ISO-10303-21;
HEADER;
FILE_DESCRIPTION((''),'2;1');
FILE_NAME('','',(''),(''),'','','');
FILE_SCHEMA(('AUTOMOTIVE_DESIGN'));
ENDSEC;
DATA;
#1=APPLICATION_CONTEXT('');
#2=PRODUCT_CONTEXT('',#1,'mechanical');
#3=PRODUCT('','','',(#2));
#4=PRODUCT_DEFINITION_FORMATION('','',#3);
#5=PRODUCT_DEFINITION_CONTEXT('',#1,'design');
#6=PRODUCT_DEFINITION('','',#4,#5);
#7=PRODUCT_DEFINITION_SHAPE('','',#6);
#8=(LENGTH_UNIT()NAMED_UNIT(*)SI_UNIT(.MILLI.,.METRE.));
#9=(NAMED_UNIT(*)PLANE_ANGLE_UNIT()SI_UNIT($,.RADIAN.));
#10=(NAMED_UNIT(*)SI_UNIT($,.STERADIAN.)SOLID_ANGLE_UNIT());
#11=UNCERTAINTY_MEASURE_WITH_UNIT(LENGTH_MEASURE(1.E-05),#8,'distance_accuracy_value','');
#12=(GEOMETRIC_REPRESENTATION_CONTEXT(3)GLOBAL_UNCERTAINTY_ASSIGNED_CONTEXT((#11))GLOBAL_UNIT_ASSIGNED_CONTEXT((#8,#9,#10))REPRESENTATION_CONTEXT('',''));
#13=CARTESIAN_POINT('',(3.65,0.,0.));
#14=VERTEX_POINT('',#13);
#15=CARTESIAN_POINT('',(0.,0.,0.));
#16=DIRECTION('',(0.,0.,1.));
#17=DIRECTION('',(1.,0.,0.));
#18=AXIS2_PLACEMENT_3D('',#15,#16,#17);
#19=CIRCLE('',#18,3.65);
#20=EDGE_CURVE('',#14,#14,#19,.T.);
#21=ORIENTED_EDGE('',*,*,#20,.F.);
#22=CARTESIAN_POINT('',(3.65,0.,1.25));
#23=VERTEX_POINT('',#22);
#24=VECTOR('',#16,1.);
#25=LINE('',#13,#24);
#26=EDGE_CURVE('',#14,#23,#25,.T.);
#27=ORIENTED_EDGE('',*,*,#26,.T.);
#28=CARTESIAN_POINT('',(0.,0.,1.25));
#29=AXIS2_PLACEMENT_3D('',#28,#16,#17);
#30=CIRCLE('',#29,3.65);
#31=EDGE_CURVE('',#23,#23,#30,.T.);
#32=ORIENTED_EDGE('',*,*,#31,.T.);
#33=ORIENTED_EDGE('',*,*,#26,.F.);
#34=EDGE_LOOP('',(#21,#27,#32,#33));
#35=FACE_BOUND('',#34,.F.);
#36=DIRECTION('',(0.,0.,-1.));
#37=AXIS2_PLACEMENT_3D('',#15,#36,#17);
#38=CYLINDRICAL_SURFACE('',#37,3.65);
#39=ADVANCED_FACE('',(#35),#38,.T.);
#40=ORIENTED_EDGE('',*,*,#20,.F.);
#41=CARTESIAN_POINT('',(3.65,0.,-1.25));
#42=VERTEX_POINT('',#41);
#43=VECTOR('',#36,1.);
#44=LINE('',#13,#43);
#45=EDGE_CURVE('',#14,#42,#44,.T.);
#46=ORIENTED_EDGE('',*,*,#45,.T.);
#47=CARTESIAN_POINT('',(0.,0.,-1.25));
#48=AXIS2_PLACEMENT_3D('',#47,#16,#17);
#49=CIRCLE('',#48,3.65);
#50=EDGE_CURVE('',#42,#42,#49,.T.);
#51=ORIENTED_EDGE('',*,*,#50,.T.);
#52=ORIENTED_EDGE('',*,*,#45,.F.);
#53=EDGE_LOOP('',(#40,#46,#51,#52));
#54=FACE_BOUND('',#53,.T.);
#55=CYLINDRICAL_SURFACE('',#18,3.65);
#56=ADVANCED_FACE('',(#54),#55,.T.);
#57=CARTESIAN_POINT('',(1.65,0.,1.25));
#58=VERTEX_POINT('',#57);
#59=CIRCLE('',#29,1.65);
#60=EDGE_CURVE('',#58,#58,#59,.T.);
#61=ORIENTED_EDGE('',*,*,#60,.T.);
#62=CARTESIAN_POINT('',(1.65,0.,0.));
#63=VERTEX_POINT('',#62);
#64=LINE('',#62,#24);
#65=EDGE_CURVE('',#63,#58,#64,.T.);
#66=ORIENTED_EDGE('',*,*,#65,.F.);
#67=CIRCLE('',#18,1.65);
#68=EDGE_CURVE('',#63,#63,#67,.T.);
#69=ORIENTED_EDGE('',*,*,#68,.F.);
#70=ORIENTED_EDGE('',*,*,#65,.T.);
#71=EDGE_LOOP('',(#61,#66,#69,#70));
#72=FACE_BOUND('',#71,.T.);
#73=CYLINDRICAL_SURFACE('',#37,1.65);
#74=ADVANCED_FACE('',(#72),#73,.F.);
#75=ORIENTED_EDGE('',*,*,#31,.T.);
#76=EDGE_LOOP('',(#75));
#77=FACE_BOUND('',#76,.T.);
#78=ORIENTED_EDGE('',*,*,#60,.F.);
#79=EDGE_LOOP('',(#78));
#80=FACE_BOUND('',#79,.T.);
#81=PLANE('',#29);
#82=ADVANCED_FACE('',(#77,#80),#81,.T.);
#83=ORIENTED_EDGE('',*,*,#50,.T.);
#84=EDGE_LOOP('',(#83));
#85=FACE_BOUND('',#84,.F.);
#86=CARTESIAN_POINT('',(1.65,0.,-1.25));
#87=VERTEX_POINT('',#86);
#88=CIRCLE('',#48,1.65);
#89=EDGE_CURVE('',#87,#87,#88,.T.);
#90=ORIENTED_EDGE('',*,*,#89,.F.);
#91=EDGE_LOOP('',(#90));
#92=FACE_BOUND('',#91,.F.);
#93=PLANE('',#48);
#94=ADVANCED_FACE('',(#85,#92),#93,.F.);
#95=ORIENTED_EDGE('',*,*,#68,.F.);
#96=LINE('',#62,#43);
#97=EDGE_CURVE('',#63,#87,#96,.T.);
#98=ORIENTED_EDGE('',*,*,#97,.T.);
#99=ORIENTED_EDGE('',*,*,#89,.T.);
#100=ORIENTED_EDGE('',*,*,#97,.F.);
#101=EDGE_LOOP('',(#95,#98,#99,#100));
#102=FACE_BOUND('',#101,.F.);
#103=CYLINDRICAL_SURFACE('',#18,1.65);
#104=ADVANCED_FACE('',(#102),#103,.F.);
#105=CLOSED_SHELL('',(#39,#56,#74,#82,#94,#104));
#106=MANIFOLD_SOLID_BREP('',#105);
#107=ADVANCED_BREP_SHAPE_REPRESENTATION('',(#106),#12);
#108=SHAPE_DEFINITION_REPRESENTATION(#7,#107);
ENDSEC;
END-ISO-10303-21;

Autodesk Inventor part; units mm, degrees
ref_plane "YZ Plane" through (0, 0, 0) normal (1, 0, 0) x (0, 1, 0)
ref_plane "XZ Plane" through (0, 0, 0) normal (0, 1, 0) x (-1, 0, 0)
ref_plane "XY Plane" through (0, 0, 0) normal (0, 0, 1) x (1, 0, 0)
sketch "スケッチ1" plane through (0, 0, 0) normal (0, 0, 1) x (1, 0, 0)
  circle A0 centre (0, 0) radius 1.65
  circle A1 centre (0, 0) radius 3.65
  dimension "d0" = 3.3
  dimension "d1" = 7.3
extrude "押し出し1" add sketch "スケッチ1" along normal mid plane 2.5
properties part number "スペーサ2.5mm_内径3.3mm"
